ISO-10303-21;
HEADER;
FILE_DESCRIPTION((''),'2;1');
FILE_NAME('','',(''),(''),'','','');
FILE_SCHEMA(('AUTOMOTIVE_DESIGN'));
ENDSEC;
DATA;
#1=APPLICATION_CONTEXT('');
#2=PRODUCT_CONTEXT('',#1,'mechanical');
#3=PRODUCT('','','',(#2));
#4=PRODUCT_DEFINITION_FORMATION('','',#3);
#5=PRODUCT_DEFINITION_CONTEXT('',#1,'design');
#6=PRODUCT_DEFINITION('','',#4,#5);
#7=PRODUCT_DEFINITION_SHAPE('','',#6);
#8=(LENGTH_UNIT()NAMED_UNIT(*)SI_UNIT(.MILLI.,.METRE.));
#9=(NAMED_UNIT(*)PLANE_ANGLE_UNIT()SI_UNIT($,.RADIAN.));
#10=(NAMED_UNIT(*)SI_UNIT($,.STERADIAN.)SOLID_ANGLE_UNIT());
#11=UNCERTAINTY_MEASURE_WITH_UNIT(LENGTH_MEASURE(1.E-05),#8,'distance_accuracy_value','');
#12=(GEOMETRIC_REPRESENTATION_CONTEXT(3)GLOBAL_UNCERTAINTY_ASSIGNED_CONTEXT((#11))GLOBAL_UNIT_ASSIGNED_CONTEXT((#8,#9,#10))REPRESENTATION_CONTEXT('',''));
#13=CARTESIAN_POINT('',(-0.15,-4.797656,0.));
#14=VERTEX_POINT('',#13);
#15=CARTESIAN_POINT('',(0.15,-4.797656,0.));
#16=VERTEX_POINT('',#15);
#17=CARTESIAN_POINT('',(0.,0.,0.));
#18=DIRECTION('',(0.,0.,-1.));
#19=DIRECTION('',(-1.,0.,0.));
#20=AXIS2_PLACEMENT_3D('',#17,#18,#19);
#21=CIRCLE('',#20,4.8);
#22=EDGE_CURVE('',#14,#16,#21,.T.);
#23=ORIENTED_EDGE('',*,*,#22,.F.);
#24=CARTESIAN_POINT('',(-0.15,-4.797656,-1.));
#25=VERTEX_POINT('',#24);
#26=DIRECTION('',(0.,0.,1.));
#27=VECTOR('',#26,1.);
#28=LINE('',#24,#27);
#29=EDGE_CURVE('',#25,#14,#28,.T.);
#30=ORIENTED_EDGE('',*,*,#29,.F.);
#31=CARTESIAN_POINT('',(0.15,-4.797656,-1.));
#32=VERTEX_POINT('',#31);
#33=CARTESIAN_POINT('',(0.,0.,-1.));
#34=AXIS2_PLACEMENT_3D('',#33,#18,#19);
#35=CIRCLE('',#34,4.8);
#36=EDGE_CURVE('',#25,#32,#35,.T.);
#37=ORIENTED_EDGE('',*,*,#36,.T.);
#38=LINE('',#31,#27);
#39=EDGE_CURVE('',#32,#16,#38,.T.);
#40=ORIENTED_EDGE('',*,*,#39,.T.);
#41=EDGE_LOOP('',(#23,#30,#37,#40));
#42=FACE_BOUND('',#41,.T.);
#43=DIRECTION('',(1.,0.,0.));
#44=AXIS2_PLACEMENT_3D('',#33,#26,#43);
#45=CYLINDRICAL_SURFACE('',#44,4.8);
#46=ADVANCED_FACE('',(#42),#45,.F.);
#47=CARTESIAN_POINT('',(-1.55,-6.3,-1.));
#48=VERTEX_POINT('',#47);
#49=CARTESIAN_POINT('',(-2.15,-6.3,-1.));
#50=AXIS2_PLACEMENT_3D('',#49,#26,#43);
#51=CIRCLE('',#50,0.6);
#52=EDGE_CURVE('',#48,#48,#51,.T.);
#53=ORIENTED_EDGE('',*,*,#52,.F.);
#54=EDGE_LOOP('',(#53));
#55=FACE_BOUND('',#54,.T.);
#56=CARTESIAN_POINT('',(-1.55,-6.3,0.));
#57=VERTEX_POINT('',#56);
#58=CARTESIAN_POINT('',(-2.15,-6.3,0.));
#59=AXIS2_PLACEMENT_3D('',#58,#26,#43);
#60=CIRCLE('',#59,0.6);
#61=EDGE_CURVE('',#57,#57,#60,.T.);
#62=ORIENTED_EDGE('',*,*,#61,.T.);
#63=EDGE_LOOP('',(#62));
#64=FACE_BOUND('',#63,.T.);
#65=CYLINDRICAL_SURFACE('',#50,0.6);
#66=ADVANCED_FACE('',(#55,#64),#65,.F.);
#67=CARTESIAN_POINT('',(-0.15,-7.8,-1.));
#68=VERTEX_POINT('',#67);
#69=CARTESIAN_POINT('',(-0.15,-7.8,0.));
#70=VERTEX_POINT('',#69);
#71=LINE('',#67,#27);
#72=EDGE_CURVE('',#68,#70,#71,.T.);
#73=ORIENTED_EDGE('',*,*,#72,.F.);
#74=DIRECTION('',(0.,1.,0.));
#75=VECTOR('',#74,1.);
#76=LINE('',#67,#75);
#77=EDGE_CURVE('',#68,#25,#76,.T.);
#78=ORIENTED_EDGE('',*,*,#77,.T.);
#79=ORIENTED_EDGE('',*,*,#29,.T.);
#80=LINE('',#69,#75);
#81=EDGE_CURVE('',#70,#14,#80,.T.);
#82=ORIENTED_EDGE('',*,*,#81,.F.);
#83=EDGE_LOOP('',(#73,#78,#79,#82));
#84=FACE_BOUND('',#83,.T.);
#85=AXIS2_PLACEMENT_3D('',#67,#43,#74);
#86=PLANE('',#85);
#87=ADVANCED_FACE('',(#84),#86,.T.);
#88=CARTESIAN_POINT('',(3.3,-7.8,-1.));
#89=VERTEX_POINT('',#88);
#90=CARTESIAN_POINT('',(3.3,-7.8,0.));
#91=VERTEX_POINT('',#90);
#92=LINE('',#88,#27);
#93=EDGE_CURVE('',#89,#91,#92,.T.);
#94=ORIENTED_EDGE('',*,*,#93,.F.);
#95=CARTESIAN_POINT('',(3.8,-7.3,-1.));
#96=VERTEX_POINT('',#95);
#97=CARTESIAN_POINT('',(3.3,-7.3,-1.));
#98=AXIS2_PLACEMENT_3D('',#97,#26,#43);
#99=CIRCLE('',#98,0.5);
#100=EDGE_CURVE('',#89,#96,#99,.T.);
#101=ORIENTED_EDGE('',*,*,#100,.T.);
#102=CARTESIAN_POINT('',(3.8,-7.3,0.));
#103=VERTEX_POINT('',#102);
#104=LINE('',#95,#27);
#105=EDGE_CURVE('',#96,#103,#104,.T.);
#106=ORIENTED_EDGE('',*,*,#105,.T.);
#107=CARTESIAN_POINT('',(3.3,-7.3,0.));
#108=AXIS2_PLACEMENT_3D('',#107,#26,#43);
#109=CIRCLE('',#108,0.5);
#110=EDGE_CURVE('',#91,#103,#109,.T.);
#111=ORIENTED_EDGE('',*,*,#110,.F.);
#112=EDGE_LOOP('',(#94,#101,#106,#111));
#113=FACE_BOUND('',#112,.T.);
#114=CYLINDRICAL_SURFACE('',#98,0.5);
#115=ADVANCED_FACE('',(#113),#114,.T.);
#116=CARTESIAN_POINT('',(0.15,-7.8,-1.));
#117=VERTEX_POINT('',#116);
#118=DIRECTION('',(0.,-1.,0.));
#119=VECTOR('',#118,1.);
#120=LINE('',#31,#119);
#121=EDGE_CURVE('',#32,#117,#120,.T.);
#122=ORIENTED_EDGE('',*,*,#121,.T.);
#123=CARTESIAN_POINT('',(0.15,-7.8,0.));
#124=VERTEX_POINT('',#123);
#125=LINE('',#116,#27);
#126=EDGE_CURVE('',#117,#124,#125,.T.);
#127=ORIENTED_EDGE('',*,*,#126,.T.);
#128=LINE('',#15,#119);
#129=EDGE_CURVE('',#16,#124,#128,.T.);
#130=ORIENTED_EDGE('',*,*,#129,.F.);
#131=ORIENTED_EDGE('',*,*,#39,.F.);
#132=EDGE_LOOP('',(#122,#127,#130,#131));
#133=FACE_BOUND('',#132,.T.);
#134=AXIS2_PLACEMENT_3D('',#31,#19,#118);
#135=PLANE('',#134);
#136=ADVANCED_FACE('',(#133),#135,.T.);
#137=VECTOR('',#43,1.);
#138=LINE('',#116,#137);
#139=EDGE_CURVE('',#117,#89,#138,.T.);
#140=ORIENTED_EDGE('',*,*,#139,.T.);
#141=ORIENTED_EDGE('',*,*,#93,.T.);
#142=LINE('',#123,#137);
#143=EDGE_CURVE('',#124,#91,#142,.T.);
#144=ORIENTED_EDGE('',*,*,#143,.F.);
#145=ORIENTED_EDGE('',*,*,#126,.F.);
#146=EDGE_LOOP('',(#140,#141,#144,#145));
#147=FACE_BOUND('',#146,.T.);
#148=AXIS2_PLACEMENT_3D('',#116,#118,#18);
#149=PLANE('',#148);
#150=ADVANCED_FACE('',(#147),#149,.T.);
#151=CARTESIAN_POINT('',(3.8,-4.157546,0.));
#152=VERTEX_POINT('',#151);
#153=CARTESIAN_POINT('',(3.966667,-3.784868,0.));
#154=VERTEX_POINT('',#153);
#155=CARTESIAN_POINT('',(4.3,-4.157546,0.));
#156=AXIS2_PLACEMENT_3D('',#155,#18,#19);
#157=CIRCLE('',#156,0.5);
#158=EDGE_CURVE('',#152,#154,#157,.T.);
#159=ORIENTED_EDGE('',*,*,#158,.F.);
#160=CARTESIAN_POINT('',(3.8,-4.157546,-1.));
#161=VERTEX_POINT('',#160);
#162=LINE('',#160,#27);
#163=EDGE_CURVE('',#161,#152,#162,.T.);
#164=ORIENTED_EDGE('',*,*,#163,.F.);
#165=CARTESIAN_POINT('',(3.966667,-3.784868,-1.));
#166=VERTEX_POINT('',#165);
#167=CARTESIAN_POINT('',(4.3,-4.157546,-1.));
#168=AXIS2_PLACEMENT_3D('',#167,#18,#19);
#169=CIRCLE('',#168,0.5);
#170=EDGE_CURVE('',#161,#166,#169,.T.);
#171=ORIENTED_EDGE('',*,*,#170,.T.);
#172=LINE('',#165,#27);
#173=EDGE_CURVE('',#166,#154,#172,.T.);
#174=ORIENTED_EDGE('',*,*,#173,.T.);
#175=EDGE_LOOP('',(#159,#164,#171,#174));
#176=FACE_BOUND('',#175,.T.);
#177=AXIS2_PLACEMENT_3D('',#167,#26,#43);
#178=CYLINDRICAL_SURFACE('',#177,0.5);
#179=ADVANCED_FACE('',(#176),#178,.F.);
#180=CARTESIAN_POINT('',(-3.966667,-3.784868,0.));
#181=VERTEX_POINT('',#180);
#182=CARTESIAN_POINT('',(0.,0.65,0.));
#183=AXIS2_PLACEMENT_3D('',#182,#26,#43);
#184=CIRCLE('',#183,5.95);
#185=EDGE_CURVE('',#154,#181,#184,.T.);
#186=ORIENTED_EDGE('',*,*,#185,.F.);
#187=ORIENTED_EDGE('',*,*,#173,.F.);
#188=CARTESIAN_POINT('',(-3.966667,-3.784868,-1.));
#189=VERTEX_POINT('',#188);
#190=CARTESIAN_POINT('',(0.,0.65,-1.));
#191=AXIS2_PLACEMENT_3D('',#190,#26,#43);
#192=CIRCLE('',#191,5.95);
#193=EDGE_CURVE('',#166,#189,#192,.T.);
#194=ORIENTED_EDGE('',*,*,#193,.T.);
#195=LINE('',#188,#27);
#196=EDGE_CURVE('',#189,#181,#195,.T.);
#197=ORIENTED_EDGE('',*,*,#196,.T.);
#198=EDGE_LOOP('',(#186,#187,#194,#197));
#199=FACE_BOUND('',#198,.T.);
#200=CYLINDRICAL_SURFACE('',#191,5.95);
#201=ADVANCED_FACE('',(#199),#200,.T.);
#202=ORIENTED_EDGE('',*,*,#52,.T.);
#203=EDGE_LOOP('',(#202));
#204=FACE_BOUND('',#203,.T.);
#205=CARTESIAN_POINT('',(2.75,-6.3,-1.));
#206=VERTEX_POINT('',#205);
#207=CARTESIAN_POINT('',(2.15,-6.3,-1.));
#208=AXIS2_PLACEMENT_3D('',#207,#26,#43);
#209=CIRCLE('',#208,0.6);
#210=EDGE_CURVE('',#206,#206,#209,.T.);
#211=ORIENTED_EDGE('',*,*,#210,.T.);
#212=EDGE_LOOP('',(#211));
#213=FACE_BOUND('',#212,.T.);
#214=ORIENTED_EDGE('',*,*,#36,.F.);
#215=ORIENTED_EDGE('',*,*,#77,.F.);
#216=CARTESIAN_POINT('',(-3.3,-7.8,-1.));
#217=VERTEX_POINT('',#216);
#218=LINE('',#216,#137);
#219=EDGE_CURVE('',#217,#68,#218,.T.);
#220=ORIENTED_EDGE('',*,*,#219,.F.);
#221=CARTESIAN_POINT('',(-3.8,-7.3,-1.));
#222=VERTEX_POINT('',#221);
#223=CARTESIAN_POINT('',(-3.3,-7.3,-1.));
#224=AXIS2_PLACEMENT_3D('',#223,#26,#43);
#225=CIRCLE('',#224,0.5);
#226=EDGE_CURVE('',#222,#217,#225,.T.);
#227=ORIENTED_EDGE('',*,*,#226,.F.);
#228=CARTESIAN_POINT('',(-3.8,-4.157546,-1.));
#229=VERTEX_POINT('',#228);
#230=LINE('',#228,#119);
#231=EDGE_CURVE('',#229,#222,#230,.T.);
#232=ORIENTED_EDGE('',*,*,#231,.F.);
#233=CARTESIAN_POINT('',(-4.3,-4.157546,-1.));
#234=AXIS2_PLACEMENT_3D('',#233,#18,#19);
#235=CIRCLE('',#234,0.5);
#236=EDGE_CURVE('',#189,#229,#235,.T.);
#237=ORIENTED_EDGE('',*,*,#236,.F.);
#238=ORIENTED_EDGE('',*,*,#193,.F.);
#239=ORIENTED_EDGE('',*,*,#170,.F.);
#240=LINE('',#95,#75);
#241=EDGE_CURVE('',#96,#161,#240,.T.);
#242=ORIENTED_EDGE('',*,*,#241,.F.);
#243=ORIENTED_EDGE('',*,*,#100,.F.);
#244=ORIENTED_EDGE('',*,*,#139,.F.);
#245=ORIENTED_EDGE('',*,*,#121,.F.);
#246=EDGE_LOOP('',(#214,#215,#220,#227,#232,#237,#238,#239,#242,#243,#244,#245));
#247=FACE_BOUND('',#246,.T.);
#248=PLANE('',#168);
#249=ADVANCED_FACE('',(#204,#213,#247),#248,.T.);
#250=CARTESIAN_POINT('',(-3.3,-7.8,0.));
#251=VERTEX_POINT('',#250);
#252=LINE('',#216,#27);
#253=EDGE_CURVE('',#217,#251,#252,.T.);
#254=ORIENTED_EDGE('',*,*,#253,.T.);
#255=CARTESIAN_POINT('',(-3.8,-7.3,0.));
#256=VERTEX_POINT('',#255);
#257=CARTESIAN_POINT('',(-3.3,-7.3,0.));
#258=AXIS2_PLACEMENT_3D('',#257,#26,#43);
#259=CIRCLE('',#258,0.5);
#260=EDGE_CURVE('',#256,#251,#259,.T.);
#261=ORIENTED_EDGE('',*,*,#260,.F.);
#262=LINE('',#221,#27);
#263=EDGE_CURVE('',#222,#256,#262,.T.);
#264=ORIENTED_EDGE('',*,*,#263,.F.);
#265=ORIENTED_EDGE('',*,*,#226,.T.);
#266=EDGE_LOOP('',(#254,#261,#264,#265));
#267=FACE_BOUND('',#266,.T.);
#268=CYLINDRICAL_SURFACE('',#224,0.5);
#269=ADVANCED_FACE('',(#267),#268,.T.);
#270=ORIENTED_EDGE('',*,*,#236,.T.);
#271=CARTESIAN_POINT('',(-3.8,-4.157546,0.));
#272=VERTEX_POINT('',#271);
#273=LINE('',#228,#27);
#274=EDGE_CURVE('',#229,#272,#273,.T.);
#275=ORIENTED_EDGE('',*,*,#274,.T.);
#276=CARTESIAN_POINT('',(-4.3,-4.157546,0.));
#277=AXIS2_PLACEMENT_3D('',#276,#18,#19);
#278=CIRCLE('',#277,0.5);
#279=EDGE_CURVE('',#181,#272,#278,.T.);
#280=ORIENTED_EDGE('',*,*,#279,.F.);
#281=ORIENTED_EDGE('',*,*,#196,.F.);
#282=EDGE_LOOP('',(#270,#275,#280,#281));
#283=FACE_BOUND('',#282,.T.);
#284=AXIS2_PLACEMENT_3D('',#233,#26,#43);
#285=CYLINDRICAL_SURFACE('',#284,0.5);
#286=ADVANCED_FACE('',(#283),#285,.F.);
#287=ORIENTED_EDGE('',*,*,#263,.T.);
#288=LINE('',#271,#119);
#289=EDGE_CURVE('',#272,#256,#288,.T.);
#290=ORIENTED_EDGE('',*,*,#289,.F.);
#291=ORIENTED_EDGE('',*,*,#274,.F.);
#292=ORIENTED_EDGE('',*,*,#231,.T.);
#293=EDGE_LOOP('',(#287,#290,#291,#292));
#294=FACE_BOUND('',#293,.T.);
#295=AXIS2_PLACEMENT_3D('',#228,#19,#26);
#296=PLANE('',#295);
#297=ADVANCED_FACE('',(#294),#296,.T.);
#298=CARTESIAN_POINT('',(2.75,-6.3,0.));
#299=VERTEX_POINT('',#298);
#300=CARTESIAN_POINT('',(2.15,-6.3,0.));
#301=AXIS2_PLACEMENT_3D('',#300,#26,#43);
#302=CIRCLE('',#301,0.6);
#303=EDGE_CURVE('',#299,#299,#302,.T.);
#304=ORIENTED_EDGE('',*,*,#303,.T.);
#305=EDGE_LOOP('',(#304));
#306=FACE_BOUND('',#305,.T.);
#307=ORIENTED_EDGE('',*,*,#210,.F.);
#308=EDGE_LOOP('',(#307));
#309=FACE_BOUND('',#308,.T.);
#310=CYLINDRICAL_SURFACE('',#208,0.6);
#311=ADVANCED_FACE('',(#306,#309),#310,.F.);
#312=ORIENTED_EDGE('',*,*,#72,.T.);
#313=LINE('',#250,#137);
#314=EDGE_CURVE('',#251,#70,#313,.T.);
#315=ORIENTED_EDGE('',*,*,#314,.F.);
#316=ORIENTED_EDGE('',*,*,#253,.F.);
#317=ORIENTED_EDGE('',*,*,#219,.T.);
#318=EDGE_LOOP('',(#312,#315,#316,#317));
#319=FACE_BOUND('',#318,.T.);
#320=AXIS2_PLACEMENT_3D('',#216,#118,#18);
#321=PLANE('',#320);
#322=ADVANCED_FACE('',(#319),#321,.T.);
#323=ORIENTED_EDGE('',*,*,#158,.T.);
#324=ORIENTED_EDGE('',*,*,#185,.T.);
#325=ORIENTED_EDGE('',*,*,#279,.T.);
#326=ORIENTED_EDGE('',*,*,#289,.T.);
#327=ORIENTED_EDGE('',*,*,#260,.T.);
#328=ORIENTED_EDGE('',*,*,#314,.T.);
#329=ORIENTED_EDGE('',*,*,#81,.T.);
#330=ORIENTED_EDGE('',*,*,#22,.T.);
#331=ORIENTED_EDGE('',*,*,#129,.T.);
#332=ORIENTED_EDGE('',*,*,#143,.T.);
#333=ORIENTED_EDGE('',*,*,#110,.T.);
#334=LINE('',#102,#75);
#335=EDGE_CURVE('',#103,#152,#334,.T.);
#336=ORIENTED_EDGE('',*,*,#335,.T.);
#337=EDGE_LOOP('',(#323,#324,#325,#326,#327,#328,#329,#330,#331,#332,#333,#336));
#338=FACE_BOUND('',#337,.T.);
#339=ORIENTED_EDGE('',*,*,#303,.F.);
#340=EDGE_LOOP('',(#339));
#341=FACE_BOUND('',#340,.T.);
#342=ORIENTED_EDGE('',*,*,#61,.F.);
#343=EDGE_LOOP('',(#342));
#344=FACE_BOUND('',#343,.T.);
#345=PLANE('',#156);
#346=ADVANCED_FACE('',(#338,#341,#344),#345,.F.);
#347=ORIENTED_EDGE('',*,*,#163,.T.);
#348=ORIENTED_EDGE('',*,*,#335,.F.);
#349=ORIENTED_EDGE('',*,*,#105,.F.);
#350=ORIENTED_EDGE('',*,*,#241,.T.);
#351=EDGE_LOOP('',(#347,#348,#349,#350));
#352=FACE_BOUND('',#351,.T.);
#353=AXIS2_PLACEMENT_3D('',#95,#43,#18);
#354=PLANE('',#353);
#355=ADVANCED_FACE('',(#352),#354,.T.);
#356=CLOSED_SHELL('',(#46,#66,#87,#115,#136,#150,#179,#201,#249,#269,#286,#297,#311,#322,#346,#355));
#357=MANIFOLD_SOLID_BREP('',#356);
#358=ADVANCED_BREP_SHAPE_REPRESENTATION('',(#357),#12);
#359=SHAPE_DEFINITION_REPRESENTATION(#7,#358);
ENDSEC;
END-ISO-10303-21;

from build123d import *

# Parameters (mm, degrees)
BOSS_EXTRUDE1_DEPTH = 1
SKETCH2_R           = 0.6
CUT_EXTRUDE1_DEPTH  = 10.861161189


with BuildPart() as part:
    # Sketch1 → Boss-Extrude1 (new body)
    with BuildSketch(Plane.XY):
        with BuildLine():
            Line((-3.8, -4.157546152), (-3.8, -7.3))
            ThreePointArc((-3.8, -7.3), (-3.653553391, -7.653553391), (-3.3, -7.8))
            Line((-3.3, -7.8), (-0.15, -7.8))
            Line((-0.15, -7.8), (-0.15, -4.797655678))
            ThreePointArc((-0.15, -4.797655678), (0, 4.8), (0.15, -4.797655678))
            Line((0.15, -4.797655678), (0.15, -7.8))
            Line((0.15, -7.8), (3.3, -7.8))
            ThreePointArc((3.3, -7.8), (3.653553391, -7.653553391), (3.8, -7.3))
            Line((3.8, -7.3), (3.8, -4.157546152))
            ThreePointArc((3.8, -4.157546152), (3.843564535, -3.953422006), (3.966666667, -3.784868155))
            ThreePointArc((3.966666667, -3.784868155), (0, 6.6), (-3.966666667, -3.784868155))
            ThreePointArc((-3.966666667, -3.784868155), (-3.843564535, -3.953422006), (-3.8, -4.157546152))
        make_face()
    extrude(amount=-BOSS_EXTRUDE1_DEPTH)

    # Sketch2 → Cut-Extrude1 (cut, through all)
    with BuildSketch(Plane.XY):
        with Locations((-2.15, -6.3)):
            Circle(SKETCH2_R)
        with Locations((2.15, -6.3)):
            Circle(SKETCH2_R)
    extrude(amount=-CUT_EXTRUDE1_DEPTH, mode=Mode.SUBTRACT)


solid = part.part
